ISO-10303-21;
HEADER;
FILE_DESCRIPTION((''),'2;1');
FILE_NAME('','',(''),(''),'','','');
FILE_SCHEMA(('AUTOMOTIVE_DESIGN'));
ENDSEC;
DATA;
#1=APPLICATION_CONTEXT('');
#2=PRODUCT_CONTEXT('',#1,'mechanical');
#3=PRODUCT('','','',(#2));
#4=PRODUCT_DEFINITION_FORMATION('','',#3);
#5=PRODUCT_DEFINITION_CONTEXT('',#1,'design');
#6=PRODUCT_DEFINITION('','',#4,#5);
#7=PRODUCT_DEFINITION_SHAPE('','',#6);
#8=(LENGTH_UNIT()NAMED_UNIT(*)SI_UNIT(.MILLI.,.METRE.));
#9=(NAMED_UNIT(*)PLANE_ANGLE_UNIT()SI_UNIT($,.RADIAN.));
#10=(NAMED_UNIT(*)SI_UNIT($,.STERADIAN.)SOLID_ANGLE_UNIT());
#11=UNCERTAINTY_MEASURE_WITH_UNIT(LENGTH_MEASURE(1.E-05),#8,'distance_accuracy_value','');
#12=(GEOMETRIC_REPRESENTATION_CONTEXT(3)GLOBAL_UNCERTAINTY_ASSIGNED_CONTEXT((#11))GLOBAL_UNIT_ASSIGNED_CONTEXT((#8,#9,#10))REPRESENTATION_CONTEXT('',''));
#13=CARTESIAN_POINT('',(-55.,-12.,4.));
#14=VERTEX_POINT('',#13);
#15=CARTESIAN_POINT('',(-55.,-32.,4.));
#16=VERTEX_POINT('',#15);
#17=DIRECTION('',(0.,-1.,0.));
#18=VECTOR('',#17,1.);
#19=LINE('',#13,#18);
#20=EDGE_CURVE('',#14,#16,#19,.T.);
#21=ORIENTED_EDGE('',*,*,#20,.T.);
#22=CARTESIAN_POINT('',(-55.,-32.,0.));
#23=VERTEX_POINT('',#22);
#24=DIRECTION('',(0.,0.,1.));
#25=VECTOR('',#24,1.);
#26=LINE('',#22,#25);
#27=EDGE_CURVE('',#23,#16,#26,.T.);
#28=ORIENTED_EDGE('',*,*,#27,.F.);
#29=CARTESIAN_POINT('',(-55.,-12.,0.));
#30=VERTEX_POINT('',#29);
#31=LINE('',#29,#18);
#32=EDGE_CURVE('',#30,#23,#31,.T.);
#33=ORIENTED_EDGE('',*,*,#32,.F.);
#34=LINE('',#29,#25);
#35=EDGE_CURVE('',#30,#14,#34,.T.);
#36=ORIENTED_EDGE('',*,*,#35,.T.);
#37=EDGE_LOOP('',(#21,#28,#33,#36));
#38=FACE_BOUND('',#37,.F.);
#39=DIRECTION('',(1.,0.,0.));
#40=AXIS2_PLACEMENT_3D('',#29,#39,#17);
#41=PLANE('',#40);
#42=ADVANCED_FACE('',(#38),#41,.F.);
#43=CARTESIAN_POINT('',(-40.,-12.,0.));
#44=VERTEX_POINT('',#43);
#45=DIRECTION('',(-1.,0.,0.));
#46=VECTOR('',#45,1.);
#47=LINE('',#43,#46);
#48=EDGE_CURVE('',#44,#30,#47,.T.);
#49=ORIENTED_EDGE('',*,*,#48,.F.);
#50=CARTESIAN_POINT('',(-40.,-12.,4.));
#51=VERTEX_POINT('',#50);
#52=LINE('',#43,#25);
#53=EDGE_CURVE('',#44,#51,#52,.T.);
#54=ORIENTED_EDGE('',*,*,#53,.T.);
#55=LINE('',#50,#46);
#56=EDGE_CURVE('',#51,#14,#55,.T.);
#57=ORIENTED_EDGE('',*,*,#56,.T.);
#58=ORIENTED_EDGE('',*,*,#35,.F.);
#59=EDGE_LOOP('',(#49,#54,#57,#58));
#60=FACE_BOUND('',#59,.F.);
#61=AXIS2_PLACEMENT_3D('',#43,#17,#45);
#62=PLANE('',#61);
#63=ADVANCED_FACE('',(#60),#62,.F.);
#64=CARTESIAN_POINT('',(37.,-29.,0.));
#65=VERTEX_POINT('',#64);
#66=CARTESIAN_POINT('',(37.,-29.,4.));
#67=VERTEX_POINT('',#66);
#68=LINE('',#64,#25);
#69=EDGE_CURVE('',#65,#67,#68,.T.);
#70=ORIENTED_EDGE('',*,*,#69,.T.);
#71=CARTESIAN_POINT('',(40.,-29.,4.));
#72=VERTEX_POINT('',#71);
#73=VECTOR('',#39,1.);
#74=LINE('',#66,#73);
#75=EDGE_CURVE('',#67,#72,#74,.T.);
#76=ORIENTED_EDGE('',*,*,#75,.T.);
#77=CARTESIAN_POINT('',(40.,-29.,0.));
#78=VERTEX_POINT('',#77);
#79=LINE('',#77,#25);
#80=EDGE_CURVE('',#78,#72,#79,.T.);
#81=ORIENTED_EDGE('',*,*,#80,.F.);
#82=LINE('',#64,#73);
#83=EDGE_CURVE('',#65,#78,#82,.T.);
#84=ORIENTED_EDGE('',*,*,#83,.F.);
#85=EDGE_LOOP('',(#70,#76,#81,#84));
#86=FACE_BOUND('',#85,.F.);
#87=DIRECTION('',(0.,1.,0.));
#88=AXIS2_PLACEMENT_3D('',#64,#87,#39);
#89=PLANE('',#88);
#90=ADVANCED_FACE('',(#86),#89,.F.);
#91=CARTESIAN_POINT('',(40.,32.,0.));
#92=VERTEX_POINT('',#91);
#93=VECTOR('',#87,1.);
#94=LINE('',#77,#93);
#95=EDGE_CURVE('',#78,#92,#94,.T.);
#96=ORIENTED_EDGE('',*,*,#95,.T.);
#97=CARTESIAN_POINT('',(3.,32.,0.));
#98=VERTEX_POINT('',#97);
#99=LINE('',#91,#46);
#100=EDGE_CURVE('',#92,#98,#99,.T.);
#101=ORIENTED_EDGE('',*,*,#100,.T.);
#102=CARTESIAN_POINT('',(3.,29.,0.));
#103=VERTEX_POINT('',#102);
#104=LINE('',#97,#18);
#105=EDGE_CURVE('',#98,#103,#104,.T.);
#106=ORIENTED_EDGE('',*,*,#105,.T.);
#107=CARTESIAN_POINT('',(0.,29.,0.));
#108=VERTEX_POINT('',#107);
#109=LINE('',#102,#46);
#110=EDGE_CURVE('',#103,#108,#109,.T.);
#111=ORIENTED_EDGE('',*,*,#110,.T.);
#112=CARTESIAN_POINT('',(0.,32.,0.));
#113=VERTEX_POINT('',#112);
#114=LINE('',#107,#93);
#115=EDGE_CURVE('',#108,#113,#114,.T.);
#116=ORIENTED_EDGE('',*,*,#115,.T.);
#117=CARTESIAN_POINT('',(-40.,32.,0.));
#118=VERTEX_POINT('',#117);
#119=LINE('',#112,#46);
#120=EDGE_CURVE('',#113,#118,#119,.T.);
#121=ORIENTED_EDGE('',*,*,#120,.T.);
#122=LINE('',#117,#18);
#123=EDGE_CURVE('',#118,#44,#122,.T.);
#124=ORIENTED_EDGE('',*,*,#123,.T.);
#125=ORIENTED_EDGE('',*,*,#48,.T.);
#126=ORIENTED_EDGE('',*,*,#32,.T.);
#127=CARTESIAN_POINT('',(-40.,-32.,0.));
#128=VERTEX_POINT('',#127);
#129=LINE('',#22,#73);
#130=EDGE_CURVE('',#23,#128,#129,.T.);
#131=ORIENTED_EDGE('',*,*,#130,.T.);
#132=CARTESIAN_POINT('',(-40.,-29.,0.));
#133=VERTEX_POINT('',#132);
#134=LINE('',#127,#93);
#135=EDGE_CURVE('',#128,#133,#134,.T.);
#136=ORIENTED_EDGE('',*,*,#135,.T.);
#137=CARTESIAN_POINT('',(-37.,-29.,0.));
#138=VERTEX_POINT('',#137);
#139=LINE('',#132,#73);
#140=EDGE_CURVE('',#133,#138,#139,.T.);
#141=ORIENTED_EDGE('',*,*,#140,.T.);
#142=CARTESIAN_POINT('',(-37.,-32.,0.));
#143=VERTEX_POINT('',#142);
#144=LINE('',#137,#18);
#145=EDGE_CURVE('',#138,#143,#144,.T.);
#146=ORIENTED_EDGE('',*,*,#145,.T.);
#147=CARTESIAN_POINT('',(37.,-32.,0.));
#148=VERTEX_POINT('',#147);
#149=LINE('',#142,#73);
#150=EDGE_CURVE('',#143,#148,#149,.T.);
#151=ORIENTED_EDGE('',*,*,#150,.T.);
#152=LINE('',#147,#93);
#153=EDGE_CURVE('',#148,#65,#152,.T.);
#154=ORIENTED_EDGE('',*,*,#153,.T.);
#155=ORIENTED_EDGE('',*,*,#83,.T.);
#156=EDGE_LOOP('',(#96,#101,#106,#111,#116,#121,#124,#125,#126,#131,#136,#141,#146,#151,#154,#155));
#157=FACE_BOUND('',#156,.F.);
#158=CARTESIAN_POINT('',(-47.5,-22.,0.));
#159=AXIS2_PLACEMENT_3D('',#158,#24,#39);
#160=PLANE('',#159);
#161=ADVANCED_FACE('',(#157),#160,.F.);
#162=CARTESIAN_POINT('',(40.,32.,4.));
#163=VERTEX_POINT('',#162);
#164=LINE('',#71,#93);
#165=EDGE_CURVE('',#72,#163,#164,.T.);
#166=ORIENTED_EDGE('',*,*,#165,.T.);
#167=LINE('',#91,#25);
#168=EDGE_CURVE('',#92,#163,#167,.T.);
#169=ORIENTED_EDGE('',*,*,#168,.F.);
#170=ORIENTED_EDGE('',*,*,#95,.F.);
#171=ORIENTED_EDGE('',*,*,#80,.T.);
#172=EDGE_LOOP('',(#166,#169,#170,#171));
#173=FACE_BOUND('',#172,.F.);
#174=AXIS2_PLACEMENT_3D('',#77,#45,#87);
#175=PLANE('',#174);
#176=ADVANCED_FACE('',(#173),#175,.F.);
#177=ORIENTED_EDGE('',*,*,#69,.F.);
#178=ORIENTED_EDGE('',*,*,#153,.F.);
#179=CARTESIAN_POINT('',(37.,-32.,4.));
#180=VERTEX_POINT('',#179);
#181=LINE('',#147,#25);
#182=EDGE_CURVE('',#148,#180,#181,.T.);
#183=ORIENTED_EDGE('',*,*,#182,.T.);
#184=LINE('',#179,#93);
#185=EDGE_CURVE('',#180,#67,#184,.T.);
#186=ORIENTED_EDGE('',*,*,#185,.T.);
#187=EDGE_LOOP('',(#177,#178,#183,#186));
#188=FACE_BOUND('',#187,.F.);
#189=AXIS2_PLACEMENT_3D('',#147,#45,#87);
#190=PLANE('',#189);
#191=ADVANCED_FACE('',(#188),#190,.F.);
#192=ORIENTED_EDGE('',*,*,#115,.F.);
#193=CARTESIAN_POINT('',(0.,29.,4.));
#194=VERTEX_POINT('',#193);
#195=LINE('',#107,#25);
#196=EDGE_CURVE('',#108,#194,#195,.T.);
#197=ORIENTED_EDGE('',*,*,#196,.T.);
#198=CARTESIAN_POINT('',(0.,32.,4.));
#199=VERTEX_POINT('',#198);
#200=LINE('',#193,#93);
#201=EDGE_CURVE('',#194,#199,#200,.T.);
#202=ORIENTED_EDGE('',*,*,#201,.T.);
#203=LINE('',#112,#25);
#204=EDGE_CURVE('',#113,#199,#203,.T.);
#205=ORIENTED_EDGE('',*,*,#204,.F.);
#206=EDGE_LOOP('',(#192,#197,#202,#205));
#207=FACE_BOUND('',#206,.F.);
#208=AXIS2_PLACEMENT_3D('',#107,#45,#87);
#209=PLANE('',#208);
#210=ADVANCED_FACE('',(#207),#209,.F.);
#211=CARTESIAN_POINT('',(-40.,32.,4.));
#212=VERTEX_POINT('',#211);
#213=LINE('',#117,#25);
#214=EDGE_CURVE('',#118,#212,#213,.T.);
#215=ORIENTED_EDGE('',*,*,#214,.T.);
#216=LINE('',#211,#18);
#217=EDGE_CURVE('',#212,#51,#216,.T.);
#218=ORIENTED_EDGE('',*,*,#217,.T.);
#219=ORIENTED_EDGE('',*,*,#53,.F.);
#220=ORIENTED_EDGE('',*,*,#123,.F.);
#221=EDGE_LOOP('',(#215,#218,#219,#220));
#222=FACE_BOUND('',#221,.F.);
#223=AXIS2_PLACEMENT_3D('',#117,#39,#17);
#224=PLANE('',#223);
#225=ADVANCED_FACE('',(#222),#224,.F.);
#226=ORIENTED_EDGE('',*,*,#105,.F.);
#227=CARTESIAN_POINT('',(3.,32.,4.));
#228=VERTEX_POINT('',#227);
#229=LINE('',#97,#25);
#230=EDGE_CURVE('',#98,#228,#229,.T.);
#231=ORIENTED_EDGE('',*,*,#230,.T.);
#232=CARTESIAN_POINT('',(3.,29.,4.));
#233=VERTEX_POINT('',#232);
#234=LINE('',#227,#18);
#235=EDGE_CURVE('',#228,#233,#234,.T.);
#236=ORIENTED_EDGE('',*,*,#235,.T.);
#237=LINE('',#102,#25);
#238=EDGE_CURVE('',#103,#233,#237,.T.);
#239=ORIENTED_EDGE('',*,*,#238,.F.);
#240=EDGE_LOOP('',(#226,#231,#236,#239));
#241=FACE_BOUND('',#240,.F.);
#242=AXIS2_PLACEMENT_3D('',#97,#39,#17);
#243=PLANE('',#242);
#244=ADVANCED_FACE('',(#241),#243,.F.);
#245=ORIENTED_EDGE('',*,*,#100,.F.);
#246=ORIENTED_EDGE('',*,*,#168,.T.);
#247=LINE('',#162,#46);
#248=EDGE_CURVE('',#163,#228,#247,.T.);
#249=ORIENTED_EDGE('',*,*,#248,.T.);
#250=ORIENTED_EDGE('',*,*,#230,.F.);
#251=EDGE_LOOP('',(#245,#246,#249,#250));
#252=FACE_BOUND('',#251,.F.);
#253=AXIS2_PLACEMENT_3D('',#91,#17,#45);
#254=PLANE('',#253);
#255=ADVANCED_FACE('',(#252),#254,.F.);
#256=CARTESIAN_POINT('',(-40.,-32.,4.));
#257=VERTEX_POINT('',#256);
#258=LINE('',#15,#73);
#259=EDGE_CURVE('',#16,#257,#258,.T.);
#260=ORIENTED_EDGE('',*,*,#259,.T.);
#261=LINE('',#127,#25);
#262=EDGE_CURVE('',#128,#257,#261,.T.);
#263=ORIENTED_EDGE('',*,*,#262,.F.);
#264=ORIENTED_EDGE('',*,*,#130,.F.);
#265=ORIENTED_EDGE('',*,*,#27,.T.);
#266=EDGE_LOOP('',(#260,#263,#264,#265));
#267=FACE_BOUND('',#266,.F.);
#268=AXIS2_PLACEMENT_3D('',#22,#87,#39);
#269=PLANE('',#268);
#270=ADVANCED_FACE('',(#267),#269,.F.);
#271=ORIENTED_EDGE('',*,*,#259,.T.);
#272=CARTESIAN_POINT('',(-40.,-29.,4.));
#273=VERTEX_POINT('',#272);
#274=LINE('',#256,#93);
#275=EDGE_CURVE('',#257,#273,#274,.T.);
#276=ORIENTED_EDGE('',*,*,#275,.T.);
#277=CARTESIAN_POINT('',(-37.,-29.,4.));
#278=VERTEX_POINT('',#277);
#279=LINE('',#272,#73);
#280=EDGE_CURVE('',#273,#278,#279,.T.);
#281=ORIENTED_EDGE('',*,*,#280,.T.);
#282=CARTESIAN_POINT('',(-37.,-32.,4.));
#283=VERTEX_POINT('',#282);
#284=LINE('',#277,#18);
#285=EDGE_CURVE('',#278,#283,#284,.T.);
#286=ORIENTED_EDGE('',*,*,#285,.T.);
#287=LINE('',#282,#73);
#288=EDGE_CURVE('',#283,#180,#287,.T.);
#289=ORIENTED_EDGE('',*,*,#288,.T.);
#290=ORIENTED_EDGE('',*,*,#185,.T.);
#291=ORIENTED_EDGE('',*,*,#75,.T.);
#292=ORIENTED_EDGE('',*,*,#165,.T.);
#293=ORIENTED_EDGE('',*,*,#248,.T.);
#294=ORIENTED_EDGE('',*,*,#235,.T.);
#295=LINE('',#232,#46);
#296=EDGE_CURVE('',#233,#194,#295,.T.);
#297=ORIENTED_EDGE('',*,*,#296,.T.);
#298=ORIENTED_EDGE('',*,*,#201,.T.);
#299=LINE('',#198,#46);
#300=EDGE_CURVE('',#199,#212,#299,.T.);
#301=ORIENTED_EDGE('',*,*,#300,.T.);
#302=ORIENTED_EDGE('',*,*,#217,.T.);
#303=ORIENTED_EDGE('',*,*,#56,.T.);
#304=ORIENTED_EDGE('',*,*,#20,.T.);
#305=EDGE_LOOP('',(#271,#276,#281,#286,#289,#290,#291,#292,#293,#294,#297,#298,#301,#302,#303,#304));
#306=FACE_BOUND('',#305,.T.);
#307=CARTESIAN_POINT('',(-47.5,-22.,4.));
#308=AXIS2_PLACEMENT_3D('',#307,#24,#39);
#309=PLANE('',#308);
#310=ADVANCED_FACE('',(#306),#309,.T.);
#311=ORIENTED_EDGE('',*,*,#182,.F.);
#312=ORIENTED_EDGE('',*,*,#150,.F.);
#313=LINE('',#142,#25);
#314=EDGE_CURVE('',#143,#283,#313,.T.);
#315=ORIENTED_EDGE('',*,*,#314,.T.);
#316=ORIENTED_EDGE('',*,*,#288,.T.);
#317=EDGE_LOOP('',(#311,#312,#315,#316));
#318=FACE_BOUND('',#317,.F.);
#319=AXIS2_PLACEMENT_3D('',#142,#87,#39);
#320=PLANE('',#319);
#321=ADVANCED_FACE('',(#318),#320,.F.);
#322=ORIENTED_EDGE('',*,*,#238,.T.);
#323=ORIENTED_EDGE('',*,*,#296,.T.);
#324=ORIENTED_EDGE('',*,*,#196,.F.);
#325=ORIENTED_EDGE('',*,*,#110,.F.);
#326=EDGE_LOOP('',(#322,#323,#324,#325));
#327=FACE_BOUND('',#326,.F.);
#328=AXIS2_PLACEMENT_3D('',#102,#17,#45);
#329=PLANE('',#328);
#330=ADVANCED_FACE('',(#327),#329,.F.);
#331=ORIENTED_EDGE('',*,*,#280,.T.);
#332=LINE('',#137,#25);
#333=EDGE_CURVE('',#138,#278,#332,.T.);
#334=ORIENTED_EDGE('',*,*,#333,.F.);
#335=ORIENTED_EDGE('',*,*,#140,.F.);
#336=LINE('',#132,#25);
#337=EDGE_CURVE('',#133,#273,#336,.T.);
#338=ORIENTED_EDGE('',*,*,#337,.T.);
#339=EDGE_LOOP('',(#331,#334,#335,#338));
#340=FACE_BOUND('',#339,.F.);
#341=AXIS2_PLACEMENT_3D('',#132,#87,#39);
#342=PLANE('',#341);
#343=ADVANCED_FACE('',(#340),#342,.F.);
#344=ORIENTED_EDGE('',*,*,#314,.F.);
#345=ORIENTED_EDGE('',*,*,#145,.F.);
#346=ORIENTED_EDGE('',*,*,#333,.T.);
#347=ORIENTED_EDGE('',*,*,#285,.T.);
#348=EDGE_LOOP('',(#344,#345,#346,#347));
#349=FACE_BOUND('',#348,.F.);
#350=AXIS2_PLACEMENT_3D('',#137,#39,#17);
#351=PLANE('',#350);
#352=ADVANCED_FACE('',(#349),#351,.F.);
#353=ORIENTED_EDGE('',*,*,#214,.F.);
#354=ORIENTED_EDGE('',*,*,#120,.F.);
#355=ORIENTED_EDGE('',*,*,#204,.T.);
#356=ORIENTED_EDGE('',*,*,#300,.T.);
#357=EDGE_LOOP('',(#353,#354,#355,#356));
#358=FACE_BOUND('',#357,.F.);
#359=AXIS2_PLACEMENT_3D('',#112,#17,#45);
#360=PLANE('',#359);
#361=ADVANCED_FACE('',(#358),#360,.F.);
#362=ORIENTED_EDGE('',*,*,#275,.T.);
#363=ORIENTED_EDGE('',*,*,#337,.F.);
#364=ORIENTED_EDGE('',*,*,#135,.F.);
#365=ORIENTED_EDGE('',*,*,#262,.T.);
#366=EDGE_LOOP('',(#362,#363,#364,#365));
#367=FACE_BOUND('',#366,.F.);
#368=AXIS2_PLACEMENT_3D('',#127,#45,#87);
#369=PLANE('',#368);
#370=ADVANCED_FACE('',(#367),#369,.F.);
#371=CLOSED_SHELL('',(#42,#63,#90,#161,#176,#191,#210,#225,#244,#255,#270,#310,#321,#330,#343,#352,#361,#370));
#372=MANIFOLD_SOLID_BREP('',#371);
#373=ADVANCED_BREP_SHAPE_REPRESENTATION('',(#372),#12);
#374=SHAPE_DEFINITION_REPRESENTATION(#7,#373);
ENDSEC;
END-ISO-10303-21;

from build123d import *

# Parameters (mm, degrees)
F1_DEPTH = 4


with BuildPart() as f1:
    # F0 (on Top) → F1 (new body)
    with BuildSketch(Plane.XY):
        Polygon((-55, -32), (-40, -32), (-40, -29), (-40, -12), (-55, -12), align=None)
        Polygon((-37, -29), (-37, -32), (37, -32), (37, -29), (40, -29), (40, 32), (3, 32), (3, 29), (0, 29), (0, 32), (-40, 32), (-40, -12), (-40, -29), align=None)
    extrude(amount=F1_DEPTH)


solid = f1.part
